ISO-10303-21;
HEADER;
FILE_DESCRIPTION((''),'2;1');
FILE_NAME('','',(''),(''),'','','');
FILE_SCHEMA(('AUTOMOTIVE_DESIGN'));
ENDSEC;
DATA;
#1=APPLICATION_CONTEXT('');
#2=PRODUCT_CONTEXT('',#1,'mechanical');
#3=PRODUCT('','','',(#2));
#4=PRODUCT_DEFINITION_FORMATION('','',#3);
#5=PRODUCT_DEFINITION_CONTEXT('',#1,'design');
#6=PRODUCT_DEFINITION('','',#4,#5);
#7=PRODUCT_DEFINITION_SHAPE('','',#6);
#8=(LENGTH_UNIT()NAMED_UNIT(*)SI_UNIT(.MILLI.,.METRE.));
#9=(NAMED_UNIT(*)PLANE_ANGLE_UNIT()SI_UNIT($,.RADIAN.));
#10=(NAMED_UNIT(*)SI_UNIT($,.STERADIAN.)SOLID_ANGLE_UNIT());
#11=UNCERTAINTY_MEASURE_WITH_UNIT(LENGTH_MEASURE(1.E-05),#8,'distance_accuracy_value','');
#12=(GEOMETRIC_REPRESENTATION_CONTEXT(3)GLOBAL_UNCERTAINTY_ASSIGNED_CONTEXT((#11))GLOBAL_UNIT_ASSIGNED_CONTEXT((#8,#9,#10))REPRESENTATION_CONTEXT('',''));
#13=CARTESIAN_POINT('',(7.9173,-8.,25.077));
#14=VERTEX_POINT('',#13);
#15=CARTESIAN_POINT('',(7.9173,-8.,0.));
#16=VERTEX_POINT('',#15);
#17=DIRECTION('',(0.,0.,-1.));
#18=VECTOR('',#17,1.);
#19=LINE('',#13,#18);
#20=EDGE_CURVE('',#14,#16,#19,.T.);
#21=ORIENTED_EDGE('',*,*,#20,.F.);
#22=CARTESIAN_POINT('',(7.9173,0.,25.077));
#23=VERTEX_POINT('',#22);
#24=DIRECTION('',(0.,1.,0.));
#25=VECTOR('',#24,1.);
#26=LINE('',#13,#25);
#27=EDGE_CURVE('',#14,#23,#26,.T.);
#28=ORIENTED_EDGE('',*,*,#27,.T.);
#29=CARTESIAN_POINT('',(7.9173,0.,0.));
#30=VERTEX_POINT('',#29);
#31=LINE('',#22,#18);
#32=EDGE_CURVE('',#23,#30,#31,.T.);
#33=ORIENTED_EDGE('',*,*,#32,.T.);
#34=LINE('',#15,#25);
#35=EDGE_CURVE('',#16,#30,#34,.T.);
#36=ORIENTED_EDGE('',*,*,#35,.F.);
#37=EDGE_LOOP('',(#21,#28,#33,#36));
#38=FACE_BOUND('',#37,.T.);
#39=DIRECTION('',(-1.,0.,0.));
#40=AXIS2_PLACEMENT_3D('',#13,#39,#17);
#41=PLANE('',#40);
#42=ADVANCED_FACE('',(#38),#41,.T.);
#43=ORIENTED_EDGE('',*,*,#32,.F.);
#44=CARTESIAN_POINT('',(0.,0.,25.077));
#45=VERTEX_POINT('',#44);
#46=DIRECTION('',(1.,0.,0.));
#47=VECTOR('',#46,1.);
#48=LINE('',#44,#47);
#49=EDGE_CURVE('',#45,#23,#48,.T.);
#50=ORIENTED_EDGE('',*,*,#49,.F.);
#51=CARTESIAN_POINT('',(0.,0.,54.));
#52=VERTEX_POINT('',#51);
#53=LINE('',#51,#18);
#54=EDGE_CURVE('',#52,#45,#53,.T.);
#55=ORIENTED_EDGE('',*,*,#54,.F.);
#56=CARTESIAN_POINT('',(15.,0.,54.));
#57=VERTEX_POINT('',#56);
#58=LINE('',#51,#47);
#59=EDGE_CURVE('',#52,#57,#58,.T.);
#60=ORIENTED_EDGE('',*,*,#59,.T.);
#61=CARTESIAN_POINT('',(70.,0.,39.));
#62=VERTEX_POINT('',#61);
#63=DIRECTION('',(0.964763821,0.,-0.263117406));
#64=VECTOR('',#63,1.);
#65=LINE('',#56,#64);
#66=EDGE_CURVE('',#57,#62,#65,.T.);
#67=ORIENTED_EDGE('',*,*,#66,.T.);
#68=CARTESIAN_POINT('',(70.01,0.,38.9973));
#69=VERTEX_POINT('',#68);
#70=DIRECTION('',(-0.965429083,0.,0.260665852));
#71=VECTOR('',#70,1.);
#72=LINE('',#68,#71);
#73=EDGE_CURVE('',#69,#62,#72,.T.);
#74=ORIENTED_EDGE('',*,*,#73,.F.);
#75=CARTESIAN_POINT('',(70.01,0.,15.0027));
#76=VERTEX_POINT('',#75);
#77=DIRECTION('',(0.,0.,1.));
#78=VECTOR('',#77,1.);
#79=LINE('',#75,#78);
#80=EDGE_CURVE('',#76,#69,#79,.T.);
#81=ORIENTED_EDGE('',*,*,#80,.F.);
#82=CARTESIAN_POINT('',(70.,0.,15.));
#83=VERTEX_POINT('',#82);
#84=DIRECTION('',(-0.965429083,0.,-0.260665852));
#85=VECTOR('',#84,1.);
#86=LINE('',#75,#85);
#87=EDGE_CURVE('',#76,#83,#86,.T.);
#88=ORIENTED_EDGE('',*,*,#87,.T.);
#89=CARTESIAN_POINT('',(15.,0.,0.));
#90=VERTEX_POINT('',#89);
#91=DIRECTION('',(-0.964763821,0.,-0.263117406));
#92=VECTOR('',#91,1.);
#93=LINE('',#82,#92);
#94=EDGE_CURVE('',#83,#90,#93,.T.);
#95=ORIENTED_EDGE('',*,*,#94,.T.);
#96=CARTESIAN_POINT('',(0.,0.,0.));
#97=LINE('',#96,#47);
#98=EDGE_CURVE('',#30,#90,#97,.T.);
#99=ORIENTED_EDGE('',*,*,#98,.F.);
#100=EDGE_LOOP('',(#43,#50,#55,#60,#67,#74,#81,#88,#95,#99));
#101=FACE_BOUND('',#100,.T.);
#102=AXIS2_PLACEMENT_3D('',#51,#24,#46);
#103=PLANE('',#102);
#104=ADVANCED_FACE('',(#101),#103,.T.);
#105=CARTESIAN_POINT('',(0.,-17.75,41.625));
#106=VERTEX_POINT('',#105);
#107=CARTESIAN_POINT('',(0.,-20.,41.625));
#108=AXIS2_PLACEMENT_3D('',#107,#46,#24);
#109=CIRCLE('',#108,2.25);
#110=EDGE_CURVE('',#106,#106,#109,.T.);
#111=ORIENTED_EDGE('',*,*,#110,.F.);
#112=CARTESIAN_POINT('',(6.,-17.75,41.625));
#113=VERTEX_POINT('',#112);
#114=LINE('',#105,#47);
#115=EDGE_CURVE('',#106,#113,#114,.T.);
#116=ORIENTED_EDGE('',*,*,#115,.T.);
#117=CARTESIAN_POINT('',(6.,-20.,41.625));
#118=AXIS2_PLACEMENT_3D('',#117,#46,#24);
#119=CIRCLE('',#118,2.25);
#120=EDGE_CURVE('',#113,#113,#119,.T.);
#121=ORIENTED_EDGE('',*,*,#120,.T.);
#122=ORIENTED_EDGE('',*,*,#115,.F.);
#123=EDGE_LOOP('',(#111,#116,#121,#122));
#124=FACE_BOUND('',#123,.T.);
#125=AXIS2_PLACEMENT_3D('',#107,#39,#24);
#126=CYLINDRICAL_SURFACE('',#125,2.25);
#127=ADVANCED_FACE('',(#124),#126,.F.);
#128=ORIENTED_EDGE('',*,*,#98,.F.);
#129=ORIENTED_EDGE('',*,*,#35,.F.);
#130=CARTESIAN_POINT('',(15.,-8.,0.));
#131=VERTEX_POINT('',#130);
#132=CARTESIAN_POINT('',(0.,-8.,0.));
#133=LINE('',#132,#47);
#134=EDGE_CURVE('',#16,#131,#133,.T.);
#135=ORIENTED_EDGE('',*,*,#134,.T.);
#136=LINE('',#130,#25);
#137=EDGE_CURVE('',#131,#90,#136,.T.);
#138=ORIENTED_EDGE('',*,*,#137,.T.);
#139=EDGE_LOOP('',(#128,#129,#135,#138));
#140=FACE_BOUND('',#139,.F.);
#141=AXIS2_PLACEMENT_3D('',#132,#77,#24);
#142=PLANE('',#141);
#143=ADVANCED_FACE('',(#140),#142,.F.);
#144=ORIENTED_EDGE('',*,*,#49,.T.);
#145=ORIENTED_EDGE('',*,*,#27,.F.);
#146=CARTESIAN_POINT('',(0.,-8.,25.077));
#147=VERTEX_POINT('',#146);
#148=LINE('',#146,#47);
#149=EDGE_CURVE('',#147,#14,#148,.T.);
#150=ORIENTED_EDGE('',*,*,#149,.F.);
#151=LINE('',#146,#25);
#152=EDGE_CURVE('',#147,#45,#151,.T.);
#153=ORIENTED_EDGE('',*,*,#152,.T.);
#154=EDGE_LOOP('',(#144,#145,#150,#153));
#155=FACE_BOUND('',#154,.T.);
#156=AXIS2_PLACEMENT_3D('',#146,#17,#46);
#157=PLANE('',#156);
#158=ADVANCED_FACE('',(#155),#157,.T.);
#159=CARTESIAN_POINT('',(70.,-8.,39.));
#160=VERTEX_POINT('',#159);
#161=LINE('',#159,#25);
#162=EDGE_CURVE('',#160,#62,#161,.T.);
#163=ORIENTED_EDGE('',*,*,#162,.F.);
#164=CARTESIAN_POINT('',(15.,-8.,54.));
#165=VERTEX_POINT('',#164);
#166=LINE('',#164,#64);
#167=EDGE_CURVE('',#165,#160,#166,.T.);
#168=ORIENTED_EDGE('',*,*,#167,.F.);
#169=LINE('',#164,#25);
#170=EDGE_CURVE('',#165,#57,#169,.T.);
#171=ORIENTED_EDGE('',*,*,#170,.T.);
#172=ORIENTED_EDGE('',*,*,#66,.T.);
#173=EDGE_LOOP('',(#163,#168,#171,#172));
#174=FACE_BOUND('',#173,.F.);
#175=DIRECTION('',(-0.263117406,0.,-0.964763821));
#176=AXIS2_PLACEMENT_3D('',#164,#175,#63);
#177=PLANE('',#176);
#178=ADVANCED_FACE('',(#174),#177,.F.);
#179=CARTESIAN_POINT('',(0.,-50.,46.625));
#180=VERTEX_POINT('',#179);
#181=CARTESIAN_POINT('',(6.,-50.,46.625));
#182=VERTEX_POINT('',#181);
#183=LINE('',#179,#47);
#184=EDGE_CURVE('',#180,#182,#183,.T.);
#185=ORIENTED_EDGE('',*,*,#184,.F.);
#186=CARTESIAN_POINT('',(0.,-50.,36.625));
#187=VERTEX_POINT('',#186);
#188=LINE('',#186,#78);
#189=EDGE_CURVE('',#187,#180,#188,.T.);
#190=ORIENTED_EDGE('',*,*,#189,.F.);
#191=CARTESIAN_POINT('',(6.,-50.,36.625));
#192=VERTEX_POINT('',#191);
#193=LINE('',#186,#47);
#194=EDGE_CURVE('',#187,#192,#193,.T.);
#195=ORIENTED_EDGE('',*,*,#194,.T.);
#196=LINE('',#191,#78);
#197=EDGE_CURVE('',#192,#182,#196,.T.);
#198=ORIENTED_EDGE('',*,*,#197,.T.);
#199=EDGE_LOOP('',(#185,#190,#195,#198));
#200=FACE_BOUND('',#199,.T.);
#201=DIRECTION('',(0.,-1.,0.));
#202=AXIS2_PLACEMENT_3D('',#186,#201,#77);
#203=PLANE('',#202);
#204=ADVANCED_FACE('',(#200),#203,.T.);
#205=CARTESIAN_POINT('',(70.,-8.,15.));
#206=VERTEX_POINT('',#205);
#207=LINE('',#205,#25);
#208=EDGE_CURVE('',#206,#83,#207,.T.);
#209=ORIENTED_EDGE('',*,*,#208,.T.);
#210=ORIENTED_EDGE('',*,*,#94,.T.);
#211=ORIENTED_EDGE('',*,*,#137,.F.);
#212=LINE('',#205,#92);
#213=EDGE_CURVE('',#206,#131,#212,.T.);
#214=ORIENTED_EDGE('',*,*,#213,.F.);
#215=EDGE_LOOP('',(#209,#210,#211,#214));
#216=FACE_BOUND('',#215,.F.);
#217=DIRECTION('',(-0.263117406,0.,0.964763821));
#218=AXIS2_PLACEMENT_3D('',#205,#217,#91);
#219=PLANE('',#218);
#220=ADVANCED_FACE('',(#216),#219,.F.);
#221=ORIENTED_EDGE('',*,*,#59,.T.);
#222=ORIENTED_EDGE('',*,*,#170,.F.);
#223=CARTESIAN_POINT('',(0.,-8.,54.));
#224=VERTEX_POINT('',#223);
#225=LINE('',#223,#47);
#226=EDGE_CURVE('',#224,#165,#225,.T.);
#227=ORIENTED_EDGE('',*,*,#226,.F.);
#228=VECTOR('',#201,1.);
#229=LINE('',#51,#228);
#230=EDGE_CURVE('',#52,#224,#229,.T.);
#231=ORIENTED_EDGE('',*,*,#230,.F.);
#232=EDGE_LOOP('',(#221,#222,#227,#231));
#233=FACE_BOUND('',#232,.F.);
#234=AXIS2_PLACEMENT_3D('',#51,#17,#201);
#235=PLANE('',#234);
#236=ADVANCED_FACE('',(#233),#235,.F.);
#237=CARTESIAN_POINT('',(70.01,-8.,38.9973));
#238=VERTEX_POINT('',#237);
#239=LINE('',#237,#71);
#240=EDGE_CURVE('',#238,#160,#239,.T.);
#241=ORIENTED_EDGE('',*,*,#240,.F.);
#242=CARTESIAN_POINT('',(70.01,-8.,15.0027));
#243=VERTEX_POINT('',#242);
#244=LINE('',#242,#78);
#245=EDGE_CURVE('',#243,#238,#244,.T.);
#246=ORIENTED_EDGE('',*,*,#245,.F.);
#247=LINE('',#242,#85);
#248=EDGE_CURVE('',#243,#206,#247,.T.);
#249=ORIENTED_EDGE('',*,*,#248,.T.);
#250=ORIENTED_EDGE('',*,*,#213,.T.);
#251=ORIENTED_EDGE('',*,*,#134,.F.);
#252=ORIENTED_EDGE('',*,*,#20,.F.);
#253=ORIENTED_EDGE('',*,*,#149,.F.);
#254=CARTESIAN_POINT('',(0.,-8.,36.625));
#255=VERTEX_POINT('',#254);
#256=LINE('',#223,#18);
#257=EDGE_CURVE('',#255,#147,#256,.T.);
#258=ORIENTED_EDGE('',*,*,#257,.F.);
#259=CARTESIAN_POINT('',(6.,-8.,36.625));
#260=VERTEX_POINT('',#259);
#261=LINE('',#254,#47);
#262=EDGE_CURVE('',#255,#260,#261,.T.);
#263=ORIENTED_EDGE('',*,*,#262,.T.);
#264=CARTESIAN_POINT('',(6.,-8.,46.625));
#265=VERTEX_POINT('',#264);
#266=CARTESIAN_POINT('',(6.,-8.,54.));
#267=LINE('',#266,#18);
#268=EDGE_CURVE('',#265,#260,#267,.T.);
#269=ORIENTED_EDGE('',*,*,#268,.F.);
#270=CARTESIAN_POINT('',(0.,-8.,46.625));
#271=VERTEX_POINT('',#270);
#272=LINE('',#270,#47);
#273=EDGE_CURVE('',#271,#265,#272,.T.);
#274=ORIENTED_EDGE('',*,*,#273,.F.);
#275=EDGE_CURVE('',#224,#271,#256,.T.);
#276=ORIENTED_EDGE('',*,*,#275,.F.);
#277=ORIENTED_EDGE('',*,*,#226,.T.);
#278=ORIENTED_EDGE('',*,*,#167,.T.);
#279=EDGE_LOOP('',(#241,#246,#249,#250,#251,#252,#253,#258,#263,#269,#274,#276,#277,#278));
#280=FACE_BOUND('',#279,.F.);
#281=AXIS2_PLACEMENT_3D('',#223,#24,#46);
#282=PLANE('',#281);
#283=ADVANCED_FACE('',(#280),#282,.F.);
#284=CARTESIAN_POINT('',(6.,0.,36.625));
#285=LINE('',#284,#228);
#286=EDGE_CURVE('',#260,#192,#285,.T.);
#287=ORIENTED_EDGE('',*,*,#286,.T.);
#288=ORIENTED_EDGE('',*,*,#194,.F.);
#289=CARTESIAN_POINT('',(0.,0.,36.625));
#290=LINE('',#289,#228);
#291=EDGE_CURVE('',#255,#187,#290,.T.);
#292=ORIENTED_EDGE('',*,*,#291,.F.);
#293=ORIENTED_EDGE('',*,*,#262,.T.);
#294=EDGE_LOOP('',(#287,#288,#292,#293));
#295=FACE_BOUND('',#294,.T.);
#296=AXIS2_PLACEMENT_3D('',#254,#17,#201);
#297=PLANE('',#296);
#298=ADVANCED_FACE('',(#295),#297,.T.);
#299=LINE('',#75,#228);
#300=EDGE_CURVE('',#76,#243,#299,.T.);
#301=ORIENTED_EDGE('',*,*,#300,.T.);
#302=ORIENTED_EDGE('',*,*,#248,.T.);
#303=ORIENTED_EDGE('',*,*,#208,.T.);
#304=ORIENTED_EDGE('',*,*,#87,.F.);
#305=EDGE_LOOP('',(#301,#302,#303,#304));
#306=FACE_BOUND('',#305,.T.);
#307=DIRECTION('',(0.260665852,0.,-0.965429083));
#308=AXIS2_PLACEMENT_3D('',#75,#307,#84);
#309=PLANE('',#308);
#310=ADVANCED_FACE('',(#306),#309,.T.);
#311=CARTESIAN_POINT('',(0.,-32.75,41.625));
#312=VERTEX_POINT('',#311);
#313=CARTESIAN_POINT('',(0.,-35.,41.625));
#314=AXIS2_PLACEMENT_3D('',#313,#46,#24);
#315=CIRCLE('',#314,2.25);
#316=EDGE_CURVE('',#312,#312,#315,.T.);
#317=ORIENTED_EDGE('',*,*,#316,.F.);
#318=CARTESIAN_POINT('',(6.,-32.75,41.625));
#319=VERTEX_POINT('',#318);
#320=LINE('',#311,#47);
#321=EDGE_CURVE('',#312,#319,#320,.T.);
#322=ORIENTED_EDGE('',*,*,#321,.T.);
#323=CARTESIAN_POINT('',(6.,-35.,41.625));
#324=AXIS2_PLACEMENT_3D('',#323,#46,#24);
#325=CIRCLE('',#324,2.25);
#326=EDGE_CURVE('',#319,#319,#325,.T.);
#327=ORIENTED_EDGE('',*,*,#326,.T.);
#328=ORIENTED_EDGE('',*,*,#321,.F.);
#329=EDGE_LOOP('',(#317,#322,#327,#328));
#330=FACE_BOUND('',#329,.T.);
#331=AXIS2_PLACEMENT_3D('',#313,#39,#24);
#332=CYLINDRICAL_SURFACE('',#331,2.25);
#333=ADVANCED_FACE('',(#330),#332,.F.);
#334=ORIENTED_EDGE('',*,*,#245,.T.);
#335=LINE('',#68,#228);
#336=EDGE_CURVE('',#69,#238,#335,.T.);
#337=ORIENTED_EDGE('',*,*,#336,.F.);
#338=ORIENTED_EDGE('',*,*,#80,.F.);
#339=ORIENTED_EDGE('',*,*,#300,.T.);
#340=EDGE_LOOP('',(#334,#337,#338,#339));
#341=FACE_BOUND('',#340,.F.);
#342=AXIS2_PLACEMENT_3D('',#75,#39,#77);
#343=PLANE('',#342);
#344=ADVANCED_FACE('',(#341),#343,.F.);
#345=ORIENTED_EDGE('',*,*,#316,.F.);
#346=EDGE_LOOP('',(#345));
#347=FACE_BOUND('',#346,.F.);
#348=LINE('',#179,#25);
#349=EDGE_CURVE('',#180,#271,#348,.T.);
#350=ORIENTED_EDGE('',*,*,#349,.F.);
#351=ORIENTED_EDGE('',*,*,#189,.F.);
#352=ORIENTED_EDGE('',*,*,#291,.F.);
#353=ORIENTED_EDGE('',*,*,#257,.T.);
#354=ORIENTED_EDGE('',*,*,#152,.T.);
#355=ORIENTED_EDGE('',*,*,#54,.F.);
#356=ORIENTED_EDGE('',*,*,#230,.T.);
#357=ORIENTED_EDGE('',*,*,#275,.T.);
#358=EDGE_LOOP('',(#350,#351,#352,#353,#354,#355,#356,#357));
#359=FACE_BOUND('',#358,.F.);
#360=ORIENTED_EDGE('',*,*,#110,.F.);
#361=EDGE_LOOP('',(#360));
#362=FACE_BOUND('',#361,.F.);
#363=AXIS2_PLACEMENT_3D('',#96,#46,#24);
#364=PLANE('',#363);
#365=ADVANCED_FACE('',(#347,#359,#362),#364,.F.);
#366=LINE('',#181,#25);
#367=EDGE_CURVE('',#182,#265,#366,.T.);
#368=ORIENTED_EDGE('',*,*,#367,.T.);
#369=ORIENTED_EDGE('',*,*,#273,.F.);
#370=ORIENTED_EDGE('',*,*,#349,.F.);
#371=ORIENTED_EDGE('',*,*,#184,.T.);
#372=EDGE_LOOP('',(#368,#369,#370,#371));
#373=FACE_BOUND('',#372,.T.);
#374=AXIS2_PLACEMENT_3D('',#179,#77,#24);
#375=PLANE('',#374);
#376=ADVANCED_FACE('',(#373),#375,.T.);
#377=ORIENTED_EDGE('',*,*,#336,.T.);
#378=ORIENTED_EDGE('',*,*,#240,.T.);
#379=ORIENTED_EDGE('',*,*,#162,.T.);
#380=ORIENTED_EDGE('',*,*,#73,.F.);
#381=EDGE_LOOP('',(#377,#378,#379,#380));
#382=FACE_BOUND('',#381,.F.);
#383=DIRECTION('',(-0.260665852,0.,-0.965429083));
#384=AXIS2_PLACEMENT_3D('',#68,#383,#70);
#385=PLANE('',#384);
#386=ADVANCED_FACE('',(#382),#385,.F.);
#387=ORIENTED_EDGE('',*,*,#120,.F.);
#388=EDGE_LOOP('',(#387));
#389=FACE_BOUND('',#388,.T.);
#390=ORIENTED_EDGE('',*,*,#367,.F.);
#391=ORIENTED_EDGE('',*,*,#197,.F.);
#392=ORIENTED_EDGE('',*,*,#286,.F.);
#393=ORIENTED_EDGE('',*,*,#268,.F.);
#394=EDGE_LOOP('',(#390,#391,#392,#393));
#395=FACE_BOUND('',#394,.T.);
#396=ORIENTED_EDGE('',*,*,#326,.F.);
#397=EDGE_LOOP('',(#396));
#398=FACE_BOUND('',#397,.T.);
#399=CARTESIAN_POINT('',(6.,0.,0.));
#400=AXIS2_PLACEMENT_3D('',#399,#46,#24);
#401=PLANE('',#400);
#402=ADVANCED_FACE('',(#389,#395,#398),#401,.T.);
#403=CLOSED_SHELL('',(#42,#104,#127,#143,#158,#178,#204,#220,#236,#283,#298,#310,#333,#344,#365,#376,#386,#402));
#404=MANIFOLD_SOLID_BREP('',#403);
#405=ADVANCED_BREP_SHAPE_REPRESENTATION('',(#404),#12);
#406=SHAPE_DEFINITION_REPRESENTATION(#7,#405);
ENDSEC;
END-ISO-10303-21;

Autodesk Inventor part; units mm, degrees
ref_plane "YZ Plane" through (0, 0, 0) normal (1, 0, 0) x (0, 1, 0)
ref_plane "XZ Plane" through (0, 0, 0) normal (0, 1, 0) x (-1, 0, 0)
ref_plane "XY Plane" through (0, 0, 0) normal (0, 0, 1) x (1, 0, 0)
sketch "スケッチ2" plane through (0, 0, 0) normal (1, 0, 0) x (0, 1, 0)
  line L0 (-50, 46.625) -> (0, 46.625)
  line L1 (0, 46.625) -> (0, 36.625)
  line L2 (0, 36.625) -> (-50, 36.625)
  line L3 (-50, 36.625) -> (-50, 46.625)
  line L4 (0, 36.625) -> (-8, 36.625)
  line L5 (-8, 36.625) -> (-8, 0)
  line L6 (-8, 0) -> (0, 0)
  line L7 (0, 0) -> (0, 36.625)
  circle A0 centre (-20, 41.625) radius 2.25
  circle A1 centre (-35, 41.625) radius 2.25
  line L8 (-8, 36.625) -> (0, 36.625)
  line L9 (0, 36.625) -> (0, 54)
  line L10 (0, 54) -> (-8, 54)
  line L11 (-8, 54) -> (-8, 36.625)
  point P0 (-8, 46.625)
  point P1 (0, 46.625)
  dimension "d7" = 50
  dimension "d8" = 10
  dimension "d10" = 8
  dimension "d11" = 4.5
  dimension "d12" = 4.5
  dimension "d13" = 15
  dimension "d14" = 20
  dimension "d15" = 5
  dimension "d16" = 5
  dimension "d27" = 54
  dimension "d28" = 7.375
extrude "押し出し2" add sketch "スケッチ2" along normal blind 6 contours L0 L11 L2 L3
extrude "押し出し5" add sketch "スケッチ2" along normal blind 70 contours L11 L10 L9 L0 | L0 L1 L2 L11 | L2 L7 L6 L5
sketch "スケッチ4" plane through (0, -8, 0) normal (0, -1, 0) x (1, 0, 0)
  line L0 (70, 0) -> (70, 54) projected
  line L1 (70, 15) -> (15, 0)
  line L2 (15, 0) -> (15, 54)
  line L3 (15, 54) -> (70, 39)
  line L4 (0, 54) -> (70, 54) projected
  line L5 (0, 36.625) -> (0, 0) projected
  line L6 (0, 0) -> (70, 0) projected
  line L7 (0, 25.077) -> (7.9173, 25.077)
  line L8 (7.9173, 25.077) -> (7.9173, 0)
  line L9 (7.9173, 0) -> (0, 0)
  line L10 (0, 0) -> (0, 25.077)
  dimension "d31" = 15
  dimension "d32" = 15
  dimension "d33" = 15
extrude "押し出し6" cut sketch "スケッチ4" against normal blind 8 contours L6 L1 L0 | L6 L5 L7 L8 | L3 L4 L0
sketch "スケッチ5" plane through (0, 0, 54) normal (0, 1, 0) x (1, 0, 0)
  line L0 (15, 0) -> (70, 15) projected
  line L1 (70, 39) -> (15, 54) projected
  line L2 (70.01, 38.9973) -> (70.01, 15.0027)
  line L3 (70, 15) -> (15, 0) projected
  line L4 (70, 39) -> (70, 15) projected
  line L5 (70.01, 15.0027) -> (70, 15)
  line L6 (70.01, 38.9973) -> (70, 39)
  point P0 (0, 54)
  dimension "d37" = 0.01
extrude "押し出し7" add sketch "スケッチ5" against normal blind 8
properties part number "left-nail" material "ABS プラスチック"
